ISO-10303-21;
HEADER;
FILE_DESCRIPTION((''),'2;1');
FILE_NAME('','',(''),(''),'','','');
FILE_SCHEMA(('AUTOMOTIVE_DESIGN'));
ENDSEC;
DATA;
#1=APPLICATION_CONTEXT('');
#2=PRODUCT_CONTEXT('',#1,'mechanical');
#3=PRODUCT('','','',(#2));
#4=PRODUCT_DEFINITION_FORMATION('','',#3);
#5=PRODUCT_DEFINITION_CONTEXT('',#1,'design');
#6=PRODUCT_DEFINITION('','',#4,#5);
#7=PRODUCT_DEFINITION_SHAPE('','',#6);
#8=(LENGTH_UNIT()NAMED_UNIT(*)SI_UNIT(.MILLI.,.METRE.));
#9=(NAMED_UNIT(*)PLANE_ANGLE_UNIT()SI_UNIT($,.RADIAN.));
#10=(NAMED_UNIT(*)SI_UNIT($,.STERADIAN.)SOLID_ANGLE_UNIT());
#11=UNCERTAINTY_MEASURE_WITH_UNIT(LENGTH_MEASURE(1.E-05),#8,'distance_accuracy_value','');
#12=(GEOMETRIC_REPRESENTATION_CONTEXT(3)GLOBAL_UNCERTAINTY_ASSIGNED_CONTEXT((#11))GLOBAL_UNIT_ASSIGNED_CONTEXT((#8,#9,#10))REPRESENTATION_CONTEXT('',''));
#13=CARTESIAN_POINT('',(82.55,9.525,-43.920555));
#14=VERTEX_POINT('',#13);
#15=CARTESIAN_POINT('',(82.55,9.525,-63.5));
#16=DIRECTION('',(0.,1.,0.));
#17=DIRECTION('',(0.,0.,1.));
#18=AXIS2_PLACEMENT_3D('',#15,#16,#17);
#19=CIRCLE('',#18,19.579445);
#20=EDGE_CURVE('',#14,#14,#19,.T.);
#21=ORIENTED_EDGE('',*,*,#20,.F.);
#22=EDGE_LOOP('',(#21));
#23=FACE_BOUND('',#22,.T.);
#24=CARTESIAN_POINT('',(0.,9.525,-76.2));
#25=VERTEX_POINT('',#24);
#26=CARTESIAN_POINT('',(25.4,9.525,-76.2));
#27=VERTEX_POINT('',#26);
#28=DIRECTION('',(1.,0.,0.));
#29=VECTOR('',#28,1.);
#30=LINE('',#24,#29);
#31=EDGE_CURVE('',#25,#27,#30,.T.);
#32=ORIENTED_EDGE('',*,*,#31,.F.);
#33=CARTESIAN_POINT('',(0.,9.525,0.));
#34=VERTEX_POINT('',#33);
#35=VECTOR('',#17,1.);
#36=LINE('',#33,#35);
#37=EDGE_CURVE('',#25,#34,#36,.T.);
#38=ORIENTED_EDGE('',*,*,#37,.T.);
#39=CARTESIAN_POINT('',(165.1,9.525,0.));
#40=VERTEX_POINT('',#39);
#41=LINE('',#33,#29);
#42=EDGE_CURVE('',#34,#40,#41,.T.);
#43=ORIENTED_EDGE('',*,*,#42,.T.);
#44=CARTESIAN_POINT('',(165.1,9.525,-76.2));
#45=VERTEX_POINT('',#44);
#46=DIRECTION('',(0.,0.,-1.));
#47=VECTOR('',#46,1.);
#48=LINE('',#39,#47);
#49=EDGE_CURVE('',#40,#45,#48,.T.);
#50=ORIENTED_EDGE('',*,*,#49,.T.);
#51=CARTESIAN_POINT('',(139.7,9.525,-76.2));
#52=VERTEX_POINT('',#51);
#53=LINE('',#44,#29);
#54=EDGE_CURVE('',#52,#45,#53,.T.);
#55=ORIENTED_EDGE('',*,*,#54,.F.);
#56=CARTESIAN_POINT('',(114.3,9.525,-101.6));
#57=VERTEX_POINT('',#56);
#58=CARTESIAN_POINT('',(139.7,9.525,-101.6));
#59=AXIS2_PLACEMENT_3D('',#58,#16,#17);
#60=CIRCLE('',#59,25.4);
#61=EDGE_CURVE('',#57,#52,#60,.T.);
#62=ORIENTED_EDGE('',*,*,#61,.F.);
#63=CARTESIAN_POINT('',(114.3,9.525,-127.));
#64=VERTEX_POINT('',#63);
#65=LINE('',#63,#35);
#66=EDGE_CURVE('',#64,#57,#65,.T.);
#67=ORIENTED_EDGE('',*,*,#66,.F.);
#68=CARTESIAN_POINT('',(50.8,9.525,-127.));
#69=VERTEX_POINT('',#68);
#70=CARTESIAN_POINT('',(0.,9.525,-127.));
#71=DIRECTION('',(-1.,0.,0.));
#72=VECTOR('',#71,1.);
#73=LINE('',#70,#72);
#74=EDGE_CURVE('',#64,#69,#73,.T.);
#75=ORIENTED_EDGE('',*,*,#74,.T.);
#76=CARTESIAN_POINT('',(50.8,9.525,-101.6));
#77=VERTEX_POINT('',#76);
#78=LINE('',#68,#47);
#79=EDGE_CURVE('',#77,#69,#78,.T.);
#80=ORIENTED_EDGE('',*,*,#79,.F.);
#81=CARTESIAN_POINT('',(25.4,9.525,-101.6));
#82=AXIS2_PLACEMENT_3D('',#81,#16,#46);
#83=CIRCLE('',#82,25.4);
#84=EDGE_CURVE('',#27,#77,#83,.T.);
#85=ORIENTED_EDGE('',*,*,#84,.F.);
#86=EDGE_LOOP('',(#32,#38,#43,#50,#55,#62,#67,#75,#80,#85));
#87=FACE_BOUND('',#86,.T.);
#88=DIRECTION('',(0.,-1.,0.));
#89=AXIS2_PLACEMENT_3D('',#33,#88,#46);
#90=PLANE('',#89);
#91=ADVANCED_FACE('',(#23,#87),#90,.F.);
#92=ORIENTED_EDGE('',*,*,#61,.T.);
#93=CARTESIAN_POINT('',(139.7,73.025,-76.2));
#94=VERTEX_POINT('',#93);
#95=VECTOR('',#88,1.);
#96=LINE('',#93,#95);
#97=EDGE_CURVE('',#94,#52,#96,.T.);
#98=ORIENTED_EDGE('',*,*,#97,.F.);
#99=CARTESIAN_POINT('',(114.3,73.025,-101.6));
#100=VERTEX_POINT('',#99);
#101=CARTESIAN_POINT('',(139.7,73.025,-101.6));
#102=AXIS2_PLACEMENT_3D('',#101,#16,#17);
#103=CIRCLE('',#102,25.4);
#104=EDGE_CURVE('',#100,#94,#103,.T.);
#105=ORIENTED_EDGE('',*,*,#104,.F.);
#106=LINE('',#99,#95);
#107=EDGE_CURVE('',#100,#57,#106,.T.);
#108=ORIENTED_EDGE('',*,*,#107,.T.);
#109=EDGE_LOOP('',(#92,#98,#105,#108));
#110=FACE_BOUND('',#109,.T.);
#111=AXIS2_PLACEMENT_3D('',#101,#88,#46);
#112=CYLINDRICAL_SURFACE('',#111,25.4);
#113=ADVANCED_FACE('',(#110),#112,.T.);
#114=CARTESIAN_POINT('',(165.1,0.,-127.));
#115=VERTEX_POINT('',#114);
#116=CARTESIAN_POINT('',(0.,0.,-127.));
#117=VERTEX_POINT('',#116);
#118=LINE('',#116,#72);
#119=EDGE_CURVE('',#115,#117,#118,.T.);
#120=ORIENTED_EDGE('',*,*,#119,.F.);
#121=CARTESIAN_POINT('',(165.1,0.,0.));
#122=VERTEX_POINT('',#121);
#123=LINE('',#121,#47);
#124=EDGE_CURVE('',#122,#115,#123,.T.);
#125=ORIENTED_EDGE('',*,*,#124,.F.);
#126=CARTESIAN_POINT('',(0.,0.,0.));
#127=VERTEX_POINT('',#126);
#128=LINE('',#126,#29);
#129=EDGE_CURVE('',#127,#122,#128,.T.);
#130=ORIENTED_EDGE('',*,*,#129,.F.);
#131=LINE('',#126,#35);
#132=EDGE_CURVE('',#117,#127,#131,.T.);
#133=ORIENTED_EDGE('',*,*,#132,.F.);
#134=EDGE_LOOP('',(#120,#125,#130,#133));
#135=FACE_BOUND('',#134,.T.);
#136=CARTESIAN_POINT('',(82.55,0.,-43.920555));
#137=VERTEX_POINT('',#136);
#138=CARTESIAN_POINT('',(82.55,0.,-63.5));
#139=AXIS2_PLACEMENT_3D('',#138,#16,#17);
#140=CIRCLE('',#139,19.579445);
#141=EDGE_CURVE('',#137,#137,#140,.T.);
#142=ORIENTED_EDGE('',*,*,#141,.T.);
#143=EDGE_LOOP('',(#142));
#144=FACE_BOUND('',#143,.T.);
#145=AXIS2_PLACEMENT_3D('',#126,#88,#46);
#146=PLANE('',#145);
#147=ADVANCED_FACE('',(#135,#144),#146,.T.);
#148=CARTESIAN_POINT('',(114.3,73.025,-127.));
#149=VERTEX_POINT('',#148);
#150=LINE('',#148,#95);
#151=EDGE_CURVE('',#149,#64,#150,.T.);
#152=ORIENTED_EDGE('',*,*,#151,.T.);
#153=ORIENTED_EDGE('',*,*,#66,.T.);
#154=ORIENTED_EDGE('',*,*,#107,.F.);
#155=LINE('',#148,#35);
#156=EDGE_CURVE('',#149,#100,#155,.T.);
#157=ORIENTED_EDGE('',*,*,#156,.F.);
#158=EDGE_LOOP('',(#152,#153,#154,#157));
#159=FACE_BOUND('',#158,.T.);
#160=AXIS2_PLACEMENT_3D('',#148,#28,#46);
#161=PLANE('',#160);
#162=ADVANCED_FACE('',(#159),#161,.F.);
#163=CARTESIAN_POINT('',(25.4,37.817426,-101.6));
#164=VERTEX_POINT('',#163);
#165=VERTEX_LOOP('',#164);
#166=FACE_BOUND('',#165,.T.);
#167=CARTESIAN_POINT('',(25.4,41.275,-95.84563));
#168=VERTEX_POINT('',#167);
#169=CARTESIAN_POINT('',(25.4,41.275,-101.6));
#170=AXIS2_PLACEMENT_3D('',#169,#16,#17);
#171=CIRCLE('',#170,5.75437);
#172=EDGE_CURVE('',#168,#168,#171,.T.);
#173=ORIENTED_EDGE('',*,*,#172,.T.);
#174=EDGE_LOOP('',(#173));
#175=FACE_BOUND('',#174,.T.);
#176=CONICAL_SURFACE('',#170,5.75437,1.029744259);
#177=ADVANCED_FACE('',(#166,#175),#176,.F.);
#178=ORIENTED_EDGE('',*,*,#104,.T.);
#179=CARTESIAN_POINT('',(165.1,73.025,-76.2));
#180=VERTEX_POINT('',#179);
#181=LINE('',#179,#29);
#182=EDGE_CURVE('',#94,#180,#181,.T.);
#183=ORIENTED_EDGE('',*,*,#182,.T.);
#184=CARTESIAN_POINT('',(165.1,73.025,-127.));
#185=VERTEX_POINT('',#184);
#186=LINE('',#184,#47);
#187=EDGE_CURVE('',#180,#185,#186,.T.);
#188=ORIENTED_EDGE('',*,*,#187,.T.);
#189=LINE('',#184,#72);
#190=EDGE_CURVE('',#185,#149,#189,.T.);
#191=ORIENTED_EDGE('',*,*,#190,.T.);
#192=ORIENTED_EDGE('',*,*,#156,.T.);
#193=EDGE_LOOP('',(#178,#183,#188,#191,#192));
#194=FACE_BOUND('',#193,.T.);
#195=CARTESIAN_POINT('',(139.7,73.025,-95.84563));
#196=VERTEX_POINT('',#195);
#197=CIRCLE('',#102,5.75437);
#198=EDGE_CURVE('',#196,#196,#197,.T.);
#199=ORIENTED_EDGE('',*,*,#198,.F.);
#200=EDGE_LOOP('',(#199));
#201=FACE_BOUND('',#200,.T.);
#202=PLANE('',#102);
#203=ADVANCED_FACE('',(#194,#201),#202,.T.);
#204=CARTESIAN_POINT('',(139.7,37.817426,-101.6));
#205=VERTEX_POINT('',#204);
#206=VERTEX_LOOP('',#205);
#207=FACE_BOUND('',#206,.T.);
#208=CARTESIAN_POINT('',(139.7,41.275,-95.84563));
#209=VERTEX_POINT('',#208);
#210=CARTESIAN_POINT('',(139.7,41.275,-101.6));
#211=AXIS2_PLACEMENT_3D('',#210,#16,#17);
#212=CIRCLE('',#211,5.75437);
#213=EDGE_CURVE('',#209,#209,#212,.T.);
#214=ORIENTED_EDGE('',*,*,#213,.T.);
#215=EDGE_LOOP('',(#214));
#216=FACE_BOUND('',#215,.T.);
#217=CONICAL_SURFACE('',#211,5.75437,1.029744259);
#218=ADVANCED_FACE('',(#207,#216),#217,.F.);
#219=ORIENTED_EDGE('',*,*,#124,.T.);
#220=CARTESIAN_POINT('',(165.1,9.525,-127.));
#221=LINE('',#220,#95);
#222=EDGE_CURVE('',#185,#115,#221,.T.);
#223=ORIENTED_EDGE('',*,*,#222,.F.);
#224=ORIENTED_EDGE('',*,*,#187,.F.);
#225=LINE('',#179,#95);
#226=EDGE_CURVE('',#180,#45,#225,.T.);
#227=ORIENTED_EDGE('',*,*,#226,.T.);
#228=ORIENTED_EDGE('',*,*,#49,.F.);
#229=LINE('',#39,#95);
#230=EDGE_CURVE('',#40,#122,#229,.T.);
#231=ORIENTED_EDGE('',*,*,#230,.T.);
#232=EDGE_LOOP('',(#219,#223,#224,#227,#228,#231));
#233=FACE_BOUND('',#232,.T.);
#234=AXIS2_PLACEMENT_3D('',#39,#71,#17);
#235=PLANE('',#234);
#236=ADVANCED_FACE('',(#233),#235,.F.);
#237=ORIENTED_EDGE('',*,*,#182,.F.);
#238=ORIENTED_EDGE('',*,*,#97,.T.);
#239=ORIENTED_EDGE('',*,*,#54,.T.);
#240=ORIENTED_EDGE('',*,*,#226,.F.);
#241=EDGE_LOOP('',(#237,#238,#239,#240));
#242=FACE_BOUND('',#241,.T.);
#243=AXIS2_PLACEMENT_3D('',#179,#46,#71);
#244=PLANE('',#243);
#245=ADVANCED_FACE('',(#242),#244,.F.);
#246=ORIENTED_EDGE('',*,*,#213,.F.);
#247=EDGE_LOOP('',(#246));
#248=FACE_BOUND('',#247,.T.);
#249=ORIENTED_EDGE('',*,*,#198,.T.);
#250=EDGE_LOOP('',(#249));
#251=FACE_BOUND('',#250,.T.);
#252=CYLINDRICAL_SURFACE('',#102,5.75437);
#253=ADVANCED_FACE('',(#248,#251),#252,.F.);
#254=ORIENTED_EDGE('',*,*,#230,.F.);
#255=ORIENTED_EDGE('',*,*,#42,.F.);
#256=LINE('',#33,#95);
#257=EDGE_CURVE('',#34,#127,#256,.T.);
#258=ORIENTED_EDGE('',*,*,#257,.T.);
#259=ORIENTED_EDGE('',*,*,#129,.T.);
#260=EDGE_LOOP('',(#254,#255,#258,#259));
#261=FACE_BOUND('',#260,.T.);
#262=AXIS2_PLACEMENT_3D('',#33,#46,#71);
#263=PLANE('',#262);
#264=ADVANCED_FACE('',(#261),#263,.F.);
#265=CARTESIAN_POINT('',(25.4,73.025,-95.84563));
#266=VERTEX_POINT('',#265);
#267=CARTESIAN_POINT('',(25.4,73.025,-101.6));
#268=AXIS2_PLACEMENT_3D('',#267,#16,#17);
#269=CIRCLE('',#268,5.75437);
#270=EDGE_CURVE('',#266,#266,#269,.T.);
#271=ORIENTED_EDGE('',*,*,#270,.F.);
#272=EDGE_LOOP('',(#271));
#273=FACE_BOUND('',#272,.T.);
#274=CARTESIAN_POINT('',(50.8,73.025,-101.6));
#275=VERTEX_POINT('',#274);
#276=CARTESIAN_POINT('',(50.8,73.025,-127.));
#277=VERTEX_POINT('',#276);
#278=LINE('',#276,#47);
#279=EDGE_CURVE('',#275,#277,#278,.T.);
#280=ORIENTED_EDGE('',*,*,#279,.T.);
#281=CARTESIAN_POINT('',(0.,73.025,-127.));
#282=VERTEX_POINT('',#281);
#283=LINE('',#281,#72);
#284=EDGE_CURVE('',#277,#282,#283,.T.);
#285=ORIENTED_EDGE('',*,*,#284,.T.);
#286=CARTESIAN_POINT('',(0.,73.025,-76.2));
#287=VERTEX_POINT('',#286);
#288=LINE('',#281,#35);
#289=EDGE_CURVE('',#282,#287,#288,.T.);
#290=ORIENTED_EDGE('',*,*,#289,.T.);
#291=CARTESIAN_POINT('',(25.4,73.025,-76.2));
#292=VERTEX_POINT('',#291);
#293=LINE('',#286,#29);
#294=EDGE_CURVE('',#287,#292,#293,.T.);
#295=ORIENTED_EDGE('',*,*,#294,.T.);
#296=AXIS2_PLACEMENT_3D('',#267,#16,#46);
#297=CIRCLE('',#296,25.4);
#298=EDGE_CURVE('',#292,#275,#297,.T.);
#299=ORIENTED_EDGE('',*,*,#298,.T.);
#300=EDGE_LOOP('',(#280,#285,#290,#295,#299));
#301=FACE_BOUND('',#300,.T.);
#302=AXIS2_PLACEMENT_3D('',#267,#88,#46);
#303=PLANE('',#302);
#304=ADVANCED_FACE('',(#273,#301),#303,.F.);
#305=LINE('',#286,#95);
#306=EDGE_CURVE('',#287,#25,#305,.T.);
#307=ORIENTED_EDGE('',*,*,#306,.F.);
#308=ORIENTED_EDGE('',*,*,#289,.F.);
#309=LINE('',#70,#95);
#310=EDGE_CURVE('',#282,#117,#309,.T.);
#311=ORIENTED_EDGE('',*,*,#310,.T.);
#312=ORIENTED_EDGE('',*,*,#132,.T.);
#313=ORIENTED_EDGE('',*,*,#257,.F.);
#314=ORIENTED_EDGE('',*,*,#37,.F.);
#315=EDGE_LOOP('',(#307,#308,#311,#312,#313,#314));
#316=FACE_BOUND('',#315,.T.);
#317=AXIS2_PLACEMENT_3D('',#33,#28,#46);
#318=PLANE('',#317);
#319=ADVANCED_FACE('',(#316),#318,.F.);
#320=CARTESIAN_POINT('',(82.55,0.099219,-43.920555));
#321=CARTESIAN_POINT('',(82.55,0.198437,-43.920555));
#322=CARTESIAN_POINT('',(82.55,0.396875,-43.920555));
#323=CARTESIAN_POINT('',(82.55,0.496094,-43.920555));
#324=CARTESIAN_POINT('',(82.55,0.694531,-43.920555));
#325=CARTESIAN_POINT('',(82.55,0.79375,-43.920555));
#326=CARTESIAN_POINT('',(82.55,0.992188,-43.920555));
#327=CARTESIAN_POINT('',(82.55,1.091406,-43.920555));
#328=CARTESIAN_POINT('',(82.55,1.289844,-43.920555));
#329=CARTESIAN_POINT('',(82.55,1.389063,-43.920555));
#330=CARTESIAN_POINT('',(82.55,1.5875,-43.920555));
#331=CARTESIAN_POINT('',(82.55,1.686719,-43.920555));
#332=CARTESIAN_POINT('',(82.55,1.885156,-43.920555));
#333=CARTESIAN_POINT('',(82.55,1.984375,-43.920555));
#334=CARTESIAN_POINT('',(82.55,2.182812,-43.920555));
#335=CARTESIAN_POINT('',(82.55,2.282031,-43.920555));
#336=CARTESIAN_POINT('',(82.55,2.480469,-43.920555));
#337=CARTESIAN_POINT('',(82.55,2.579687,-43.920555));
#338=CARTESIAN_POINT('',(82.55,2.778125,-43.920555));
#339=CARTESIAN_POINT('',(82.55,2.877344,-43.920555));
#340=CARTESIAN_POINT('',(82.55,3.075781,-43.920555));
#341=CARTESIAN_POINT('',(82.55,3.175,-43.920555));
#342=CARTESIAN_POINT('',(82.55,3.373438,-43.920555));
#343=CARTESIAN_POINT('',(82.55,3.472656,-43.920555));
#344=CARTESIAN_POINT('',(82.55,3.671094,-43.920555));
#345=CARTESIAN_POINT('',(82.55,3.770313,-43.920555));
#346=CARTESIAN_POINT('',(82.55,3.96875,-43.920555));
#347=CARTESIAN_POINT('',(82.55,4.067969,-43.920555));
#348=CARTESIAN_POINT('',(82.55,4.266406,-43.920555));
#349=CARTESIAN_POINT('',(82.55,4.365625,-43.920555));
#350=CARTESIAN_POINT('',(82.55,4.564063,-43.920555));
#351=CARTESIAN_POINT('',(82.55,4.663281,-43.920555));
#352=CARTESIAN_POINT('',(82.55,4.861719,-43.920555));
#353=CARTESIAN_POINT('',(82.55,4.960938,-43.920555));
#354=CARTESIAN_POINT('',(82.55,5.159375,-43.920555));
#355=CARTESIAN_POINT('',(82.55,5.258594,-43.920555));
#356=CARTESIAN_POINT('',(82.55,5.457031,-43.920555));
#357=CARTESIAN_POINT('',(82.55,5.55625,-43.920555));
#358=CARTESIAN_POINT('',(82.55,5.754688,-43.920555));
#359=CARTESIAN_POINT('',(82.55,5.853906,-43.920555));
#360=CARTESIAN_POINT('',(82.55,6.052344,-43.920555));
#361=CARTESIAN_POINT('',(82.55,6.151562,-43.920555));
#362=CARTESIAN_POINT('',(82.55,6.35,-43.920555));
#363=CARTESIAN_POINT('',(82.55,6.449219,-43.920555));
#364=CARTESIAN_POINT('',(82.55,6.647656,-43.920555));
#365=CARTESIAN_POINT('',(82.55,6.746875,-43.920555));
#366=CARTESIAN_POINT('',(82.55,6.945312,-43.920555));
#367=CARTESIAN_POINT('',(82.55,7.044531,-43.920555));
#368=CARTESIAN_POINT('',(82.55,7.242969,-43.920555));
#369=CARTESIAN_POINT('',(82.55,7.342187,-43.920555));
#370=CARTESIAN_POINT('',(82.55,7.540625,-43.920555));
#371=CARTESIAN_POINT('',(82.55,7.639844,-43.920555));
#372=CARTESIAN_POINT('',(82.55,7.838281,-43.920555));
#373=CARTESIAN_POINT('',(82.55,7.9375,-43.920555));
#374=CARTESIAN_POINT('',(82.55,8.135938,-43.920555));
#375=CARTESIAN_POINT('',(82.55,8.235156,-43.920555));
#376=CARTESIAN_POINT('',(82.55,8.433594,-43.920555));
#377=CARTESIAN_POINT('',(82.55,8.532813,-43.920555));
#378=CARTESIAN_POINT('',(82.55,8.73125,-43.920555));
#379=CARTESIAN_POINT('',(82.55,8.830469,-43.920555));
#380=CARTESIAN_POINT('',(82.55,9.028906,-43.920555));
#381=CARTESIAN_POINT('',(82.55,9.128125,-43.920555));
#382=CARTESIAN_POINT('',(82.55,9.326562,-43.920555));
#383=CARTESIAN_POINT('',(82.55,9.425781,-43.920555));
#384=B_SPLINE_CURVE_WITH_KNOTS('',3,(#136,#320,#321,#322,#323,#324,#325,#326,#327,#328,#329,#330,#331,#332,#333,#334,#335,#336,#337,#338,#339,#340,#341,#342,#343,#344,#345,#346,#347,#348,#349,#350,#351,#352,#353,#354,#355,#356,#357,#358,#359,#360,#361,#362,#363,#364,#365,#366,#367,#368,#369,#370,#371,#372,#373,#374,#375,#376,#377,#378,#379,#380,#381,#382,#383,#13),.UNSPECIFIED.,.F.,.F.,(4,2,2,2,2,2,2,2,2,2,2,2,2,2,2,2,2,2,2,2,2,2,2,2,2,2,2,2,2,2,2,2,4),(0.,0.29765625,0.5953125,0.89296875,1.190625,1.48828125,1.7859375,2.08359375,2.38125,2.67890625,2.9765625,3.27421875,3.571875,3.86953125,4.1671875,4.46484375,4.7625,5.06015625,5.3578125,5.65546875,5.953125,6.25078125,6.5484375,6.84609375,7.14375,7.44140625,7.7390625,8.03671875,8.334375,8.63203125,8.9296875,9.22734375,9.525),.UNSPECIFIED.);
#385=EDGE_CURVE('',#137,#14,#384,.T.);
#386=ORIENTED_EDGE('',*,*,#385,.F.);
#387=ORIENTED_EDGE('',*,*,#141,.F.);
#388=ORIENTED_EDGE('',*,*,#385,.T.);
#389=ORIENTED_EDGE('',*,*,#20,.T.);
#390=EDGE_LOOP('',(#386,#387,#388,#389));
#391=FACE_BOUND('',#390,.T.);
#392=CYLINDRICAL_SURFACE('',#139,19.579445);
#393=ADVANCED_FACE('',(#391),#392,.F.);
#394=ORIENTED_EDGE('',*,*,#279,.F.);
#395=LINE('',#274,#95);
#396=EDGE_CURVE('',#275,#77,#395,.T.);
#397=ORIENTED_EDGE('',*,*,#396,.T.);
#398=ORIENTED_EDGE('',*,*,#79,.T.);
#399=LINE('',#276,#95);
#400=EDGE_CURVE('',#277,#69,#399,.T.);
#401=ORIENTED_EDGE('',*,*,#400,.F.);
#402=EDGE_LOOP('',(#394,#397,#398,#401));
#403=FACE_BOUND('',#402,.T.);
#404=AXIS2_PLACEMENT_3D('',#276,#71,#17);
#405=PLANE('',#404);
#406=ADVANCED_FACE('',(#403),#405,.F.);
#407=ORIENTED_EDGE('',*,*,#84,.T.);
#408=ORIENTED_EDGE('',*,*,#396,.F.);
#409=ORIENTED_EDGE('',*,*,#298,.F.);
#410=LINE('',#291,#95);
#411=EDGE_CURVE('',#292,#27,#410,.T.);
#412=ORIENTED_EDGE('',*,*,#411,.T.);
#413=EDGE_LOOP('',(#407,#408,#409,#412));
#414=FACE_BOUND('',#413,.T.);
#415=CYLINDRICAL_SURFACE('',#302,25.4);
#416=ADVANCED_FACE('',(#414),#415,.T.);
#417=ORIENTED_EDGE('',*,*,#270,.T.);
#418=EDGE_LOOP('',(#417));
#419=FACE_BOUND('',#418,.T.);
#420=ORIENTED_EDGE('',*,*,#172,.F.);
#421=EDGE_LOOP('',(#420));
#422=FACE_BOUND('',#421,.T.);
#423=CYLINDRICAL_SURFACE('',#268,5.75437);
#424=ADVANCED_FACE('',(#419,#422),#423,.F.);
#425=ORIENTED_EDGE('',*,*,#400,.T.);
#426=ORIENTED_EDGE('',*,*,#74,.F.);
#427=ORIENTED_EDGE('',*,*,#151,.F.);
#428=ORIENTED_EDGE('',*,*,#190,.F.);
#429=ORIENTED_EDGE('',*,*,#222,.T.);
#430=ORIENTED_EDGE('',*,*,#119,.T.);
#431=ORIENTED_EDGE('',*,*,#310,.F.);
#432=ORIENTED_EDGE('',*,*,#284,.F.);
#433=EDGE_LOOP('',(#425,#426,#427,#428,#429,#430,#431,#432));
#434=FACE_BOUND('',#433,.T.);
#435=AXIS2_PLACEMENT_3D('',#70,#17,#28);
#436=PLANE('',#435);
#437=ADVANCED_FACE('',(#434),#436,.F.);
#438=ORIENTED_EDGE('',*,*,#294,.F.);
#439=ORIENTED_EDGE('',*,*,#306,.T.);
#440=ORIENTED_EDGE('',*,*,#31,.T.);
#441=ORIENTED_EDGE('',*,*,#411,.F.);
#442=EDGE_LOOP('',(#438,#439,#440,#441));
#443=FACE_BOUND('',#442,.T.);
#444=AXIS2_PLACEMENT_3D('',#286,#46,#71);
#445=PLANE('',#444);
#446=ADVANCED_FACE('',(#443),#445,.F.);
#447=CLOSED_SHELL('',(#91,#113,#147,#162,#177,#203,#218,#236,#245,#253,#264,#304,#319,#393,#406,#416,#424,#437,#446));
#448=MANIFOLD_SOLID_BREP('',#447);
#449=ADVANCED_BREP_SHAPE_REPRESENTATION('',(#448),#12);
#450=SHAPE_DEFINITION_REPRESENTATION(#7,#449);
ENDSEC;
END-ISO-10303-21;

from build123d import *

# Parameters (mm, degrees)
SKETCH1_W                   = 165.1
SKETCH1_H                   = 127
BOSS_EXTRUDE1_DEPTH         = 9.525
SKETCH2_R                   = 19.579444904
CUT_EXTRUDE1_DEPTH          = 209.513154561
BOSS_EXTRUDE3_DEPTH         = 63.5
F_1_2_20_TAPPED_HOLE1_D     = 11.50874
F_1_2_20_TAPPED_HOLE1_DEPTH = 31.75
F_1_2_20_TAPPED_HOLE1_TIP   = 3.45757432


with BuildPart() as part:
    # Sketch1 → Boss-Extrude1 (new body)
    with BuildSketch(Plane(origin=(0, 0, 0), x_dir=(1, 0, 0), z_dir=(0, 1, 0))):
        with Locations((82.55, 63.5)):
            Rectangle(SKETCH1_W, SKETCH1_H)
    extrude(amount=BOSS_EXTRUDE1_DEPTH)

    # Sketch2 → Cut-Extrude1 (cut, through all)
    with BuildSketch(Plane(origin=(0, 9.525, 0), x_dir=(1, 0, 0), z_dir=(0, 1, 0))):
        with Locations(Location((82.55, 63.5, 0), (0, 0, 270))):
            Circle(SKETCH2_R)
    extrude(amount=-CUT_EXTRUDE1_DEPTH, mode=Mode.SUBTRACT)

    # Sketch3 → Boss-Extrude3 (add)
    with BuildSketch(Plane(origin=(0, 9.525, 0), x_dir=(1, 0, 0), z_dir=(0, 1, 0))):
        with BuildLine():
            Line((0, 127), (50.8, 127))
            Line((50.8, 127), (50.8, 101.6))
            ThreePointArc((50.8, 101.6), (43.360512242, 83.639487758), (25.4, 76.2))
            Line((25.4, 76.2), (0, 76.2))
            Line((0, 76.2), (0, 127))
        make_face()
        with BuildLine():
            Line((165.1, 127), (114.3, 127))
            Line((114.3, 127), (114.3, 101.6))
            ThreePointArc((114.3, 101.6), (121.739487758, 83.639487758), (139.7, 76.2))
            Line((139.7, 76.2), (165.1, 76.2))
            Line((165.1, 76.2), (165.1, 127))
        make_face()
    extrude(amount=BOSS_EXTRUDE3_DEPTH)

    # 1/2-20 Tapped Hole1
    with Locations(Plane(origin=(25.4, 73.025, -101.6), x_dir=(0, 0, 1), z_dir=(0, 1, 0))):
        with Locations((0, 0), (0, 114.3)):
            Hole(F_1_2_20_TAPPED_HOLE1_D / 2, depth=F_1_2_20_TAPPED_HOLE1_DEPTH)
            with Locations((0, 0, -(F_1_2_20_TAPPED_HOLE1_DEPTH + F_1_2_20_TAPPED_HOLE1_TIP / 2))):  # 118° drill point
                Cone(0, F_1_2_20_TAPPED_HOLE1_D / 2, F_1_2_20_TAPPED_HOLE1_TIP, mode=Mode.SUBTRACT)


solid = part.part
